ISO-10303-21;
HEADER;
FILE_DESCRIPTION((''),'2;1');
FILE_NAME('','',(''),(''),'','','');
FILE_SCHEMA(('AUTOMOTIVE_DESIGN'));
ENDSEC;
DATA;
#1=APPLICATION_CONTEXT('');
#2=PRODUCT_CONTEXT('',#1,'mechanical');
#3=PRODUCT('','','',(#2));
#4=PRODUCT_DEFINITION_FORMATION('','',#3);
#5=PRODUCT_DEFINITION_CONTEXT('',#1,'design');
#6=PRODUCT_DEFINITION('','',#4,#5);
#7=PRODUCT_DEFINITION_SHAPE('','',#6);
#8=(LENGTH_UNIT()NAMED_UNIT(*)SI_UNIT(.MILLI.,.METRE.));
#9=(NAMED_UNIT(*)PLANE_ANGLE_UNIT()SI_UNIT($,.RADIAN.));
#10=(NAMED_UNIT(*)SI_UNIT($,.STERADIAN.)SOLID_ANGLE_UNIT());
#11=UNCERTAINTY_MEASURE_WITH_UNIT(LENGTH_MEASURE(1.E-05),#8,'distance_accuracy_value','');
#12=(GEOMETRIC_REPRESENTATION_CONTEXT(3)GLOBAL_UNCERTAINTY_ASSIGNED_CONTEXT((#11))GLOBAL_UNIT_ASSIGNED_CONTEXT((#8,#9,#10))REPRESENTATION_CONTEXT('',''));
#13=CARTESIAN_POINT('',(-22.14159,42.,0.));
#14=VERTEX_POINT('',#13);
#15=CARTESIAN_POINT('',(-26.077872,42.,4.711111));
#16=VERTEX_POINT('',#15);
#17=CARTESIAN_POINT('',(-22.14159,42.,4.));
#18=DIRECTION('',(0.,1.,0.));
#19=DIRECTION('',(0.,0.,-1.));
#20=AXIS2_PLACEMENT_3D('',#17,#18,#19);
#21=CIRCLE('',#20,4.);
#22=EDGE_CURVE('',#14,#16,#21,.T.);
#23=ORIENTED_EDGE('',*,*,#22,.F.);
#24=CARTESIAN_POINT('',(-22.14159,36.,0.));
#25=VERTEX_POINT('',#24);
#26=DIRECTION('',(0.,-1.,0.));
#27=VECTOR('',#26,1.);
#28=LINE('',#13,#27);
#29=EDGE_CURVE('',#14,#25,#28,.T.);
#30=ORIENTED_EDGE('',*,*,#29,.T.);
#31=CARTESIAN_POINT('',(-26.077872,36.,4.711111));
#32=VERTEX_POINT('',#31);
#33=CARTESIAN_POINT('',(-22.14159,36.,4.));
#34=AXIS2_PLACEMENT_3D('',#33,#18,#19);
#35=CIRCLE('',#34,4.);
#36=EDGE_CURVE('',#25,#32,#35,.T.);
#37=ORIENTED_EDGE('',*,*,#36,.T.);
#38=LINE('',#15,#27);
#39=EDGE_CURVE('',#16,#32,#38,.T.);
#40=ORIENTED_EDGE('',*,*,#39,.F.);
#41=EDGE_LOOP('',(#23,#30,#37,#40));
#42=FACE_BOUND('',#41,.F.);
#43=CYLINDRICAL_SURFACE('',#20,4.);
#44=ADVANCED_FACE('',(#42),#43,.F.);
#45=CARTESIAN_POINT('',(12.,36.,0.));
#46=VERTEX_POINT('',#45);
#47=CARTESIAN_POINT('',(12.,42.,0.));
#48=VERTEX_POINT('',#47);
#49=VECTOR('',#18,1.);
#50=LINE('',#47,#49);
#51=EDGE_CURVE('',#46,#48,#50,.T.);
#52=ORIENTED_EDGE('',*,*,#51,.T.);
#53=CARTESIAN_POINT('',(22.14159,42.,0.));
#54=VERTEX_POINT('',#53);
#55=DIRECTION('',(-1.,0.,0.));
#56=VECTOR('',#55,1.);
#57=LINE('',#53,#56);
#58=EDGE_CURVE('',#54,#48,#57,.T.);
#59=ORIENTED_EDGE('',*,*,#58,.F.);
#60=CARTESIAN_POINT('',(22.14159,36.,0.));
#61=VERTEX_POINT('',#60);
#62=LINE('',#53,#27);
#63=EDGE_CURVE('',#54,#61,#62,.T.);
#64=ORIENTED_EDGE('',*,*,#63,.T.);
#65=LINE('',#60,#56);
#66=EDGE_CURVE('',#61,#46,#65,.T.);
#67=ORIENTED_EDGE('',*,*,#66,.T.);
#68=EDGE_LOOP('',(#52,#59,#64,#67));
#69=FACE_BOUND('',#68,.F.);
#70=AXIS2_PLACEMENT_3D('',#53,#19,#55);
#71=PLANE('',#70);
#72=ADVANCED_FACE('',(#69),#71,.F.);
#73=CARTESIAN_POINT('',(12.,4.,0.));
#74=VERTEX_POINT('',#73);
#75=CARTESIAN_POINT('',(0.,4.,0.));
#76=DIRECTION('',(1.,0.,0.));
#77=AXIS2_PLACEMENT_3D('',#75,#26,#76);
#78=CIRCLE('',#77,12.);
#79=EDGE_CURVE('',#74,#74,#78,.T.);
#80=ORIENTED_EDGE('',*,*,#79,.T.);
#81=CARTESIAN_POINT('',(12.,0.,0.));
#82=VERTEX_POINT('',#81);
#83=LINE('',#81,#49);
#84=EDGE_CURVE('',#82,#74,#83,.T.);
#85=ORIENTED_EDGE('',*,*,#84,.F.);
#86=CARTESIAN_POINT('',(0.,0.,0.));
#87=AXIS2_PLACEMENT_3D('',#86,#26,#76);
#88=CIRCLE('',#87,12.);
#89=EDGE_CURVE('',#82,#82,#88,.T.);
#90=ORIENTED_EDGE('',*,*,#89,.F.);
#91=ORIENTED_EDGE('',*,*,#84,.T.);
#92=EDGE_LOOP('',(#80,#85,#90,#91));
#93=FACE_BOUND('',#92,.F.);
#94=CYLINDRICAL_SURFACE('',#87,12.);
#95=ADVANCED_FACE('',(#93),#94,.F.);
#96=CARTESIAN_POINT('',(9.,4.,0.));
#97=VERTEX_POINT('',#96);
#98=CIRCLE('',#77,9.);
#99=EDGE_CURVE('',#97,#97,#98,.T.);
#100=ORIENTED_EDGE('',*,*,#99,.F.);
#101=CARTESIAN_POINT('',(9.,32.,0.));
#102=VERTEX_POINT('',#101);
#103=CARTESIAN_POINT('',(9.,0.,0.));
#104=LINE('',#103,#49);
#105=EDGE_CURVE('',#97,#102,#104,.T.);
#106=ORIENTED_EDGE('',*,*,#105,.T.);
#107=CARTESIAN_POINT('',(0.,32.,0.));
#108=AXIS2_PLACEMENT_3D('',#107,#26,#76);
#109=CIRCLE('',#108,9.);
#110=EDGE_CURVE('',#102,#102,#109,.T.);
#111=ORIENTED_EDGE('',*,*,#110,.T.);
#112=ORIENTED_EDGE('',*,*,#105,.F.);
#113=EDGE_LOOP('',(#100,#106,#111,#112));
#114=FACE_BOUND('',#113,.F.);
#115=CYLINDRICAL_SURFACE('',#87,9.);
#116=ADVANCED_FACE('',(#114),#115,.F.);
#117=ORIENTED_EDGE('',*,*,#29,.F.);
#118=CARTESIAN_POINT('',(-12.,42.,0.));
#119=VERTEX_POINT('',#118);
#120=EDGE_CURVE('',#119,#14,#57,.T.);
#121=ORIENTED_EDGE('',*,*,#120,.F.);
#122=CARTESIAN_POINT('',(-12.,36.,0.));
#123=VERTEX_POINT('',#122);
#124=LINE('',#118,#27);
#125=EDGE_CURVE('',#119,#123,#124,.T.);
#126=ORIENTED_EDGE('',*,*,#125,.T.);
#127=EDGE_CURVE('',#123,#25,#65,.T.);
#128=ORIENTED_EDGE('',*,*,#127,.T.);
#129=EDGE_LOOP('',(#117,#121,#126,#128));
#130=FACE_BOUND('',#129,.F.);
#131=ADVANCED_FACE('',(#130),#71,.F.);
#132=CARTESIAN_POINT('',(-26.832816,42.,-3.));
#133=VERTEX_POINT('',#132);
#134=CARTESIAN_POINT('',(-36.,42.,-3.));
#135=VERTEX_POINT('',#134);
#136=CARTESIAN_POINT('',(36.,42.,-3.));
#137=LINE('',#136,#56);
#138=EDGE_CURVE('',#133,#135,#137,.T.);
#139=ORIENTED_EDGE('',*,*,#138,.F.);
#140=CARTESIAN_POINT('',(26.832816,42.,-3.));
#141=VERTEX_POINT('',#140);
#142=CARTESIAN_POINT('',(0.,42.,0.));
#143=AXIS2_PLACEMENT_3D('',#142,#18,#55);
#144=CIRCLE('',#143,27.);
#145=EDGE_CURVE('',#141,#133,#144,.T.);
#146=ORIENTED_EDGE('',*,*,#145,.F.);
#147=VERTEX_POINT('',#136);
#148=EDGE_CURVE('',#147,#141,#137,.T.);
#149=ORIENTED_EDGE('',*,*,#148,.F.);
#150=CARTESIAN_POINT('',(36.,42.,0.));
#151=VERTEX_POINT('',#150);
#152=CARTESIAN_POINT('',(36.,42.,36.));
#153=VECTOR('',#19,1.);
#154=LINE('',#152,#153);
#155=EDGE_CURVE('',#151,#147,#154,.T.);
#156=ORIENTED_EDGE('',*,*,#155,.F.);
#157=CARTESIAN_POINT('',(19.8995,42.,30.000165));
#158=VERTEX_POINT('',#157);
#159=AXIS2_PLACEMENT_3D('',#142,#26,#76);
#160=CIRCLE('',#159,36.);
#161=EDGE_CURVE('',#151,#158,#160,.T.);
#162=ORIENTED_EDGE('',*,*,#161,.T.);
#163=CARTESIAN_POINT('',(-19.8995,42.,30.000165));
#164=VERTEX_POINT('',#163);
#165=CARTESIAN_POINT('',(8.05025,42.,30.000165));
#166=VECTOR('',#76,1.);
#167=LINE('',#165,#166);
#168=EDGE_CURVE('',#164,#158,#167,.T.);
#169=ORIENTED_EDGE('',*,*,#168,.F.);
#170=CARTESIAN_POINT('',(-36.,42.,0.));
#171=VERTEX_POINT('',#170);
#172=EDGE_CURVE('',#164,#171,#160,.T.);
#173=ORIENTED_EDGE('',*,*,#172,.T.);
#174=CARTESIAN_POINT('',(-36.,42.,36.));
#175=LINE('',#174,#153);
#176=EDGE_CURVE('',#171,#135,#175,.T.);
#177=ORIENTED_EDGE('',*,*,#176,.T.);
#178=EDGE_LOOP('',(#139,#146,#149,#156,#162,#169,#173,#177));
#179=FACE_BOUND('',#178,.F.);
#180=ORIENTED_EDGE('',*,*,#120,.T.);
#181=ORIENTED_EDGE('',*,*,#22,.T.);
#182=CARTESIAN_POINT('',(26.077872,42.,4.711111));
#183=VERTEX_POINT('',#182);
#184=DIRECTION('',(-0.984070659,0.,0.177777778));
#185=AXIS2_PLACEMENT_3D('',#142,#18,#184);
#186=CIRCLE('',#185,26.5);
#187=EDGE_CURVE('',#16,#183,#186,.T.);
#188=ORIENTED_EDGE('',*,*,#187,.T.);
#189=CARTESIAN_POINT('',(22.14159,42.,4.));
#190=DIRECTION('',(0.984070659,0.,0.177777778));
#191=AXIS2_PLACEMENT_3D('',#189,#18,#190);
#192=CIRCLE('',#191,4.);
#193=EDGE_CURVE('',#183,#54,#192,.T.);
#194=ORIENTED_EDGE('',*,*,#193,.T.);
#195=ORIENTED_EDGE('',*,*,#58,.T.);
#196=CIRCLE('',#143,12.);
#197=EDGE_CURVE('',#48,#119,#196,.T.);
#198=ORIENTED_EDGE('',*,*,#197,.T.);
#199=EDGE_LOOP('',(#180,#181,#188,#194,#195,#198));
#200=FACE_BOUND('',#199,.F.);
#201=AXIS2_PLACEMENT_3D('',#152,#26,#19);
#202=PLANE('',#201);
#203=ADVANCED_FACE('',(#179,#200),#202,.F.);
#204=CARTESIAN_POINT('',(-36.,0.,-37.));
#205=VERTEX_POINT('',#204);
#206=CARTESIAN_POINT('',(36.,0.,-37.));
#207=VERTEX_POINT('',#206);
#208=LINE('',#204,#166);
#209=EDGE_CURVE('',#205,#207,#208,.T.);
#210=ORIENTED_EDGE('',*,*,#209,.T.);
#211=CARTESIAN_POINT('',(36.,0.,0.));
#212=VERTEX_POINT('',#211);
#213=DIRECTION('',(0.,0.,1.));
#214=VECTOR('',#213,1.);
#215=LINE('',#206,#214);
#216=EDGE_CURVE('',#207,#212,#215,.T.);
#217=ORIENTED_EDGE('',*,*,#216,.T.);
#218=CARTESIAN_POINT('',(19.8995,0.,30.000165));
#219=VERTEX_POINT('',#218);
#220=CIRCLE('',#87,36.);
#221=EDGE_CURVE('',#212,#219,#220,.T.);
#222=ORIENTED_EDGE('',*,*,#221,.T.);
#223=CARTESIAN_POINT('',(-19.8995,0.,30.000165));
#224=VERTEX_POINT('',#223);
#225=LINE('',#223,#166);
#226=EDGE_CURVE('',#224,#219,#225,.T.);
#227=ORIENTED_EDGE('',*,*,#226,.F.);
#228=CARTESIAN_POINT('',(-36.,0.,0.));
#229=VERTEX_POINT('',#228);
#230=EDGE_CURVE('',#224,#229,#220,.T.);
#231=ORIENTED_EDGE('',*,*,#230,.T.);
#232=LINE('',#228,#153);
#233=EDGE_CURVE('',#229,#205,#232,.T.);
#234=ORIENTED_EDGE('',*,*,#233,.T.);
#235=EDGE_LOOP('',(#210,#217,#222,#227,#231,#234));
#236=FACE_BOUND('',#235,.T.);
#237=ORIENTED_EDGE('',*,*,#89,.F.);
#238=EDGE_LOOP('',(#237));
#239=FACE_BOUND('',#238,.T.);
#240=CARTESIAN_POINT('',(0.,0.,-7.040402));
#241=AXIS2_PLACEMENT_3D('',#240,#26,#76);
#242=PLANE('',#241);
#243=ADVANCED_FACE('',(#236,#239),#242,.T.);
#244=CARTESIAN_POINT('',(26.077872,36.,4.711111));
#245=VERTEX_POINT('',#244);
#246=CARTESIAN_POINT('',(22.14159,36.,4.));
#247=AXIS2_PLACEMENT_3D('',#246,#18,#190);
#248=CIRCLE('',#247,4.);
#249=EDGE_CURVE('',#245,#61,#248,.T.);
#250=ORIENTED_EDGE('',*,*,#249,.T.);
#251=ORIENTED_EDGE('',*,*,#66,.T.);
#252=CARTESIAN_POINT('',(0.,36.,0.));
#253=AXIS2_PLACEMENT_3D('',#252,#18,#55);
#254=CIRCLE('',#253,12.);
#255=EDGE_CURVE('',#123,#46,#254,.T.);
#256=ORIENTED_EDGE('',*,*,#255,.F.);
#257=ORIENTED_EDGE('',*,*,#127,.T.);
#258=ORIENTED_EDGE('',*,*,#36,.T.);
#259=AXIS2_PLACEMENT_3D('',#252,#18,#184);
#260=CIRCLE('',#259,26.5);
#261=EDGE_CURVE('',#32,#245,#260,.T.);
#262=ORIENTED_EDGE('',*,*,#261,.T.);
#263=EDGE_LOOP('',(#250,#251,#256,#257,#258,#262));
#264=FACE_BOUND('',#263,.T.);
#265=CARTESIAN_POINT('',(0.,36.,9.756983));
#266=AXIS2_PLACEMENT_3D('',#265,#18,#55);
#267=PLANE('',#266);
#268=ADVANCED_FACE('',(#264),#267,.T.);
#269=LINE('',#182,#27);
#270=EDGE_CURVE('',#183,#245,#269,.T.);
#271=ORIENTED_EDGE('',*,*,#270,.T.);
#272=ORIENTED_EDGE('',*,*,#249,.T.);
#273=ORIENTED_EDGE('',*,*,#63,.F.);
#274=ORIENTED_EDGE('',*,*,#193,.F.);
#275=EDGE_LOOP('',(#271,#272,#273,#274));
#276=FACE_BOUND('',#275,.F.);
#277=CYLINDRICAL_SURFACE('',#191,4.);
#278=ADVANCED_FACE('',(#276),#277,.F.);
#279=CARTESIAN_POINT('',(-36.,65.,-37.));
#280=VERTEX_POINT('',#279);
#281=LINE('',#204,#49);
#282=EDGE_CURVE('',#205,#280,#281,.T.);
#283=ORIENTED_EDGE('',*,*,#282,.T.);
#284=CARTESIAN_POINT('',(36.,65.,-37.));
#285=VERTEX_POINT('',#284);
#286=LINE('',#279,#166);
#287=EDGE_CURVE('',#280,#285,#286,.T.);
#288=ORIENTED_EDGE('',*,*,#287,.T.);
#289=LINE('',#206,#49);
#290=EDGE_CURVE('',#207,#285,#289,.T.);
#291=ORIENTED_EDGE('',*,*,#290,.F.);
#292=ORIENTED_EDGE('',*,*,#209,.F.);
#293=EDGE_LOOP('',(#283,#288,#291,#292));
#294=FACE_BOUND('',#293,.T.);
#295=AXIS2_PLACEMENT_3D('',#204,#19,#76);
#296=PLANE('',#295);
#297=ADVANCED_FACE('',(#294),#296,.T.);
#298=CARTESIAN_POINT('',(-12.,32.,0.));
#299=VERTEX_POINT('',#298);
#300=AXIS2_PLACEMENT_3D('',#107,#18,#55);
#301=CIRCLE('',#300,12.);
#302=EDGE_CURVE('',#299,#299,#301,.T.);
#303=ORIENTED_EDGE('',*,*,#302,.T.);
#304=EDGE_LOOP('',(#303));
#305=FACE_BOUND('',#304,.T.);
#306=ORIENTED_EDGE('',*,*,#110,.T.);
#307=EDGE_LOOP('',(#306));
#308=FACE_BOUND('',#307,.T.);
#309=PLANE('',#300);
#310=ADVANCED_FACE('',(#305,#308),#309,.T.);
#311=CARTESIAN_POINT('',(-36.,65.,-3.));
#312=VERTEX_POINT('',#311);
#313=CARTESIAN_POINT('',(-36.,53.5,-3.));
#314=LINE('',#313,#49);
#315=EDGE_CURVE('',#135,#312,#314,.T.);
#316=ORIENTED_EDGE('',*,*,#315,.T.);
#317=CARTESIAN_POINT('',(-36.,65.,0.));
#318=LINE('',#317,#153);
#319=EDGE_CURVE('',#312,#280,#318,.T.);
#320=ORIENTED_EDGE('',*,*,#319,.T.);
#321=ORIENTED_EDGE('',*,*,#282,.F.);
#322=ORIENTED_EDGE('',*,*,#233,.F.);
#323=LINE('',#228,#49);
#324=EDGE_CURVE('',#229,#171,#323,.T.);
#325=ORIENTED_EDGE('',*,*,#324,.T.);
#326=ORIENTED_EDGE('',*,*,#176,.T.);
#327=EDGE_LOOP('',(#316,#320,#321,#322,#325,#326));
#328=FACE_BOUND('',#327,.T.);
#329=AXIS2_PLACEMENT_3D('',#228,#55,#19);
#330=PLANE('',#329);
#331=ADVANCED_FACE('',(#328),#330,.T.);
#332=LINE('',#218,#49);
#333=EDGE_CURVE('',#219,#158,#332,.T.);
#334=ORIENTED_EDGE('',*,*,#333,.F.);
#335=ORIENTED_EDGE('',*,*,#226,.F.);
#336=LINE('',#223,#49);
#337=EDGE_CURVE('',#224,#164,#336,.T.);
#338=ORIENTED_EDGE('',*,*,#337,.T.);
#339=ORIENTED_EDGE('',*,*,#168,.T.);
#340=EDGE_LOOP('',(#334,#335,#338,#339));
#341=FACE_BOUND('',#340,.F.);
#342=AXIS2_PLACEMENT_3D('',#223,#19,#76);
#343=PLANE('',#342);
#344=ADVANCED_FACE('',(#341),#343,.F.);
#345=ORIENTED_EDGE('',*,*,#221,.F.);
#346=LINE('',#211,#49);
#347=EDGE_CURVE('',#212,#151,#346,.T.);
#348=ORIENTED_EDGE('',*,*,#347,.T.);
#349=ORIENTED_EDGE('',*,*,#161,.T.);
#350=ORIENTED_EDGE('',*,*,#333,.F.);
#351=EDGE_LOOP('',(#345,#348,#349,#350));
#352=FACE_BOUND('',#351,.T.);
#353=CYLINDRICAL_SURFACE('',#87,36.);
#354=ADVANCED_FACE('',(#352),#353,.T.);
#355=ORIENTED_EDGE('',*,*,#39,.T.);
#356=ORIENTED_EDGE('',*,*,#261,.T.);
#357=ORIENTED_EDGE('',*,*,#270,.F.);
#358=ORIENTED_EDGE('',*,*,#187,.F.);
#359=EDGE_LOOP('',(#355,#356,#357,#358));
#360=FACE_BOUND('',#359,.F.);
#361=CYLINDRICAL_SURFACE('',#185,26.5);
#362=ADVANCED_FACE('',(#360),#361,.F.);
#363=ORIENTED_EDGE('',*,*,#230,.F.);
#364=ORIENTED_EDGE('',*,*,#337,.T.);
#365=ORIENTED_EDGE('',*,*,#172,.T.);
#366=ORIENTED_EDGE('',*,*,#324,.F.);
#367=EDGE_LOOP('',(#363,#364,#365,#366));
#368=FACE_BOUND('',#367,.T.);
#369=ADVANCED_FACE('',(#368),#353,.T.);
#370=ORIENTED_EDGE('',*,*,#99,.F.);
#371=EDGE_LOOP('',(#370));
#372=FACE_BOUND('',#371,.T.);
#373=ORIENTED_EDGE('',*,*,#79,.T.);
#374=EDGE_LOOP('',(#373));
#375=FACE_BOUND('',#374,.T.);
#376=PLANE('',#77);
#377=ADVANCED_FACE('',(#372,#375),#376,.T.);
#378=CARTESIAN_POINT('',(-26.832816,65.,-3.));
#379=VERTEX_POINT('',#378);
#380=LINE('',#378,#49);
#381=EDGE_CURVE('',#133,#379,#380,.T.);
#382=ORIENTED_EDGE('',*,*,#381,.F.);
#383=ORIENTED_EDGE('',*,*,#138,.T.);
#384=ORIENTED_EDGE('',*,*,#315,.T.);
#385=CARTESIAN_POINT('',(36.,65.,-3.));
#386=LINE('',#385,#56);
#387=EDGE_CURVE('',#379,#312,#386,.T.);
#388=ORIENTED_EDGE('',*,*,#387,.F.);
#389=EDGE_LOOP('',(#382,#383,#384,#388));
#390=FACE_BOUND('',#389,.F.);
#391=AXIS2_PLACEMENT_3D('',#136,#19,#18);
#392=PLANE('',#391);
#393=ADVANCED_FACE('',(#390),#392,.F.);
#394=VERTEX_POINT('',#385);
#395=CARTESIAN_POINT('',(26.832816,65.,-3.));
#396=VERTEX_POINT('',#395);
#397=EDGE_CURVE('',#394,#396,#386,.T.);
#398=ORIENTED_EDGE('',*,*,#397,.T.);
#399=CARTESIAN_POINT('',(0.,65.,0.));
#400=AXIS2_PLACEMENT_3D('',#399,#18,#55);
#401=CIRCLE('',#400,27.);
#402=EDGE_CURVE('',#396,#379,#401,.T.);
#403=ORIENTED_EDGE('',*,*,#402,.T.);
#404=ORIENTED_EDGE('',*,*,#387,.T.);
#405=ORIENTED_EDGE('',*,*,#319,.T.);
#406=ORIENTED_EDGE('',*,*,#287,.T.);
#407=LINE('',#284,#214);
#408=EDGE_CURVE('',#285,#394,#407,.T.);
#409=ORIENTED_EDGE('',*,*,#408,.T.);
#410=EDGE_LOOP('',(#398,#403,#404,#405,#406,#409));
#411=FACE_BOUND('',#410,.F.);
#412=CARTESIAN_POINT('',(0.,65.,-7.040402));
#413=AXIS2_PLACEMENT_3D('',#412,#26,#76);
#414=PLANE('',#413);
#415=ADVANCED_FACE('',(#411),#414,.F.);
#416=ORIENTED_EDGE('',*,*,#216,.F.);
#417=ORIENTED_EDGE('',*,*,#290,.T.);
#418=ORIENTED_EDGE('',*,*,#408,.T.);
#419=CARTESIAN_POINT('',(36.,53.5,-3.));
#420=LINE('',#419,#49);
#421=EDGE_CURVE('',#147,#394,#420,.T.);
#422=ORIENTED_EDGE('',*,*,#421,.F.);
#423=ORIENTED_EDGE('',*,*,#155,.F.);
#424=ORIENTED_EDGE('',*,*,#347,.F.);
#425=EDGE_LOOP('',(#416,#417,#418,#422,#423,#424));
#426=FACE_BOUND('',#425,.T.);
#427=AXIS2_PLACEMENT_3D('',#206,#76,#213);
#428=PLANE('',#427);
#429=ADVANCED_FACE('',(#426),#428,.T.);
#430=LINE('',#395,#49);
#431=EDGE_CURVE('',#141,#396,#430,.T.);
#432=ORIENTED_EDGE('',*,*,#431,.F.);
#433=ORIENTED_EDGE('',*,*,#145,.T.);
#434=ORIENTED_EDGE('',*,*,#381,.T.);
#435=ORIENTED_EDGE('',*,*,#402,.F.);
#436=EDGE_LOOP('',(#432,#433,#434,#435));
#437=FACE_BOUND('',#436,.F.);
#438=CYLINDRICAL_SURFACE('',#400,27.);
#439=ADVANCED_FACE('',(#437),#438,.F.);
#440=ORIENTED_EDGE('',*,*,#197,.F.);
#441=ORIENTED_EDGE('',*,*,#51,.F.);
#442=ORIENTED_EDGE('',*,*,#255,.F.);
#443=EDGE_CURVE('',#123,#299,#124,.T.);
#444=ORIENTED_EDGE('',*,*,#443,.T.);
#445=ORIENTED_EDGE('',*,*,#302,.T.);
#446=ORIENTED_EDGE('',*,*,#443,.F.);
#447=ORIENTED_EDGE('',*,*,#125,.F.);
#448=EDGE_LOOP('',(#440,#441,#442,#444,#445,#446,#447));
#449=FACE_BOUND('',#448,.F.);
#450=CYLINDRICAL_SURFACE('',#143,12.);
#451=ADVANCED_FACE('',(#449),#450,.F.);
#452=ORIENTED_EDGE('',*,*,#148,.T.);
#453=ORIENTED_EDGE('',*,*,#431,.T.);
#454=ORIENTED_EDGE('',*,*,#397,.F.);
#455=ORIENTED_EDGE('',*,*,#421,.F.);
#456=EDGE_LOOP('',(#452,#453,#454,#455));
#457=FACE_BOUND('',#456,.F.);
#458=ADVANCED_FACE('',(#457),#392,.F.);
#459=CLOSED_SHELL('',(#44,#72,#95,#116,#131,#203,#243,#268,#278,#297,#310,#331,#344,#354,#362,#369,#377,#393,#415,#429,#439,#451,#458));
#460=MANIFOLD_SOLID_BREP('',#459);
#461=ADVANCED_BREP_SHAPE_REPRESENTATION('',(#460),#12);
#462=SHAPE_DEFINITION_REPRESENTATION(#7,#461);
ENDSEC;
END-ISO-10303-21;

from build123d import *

# Parameters (mm, degrees)
F0_R      = 9
F1_DEPTH  = 65
F2_W      = 23
F2_H      = 36
F2_H_2    = 3
F3_DEPTH  = 72
F4_R      = 12
F5_DEPTH  = 4
F6_R      = 27
F7_DEPTH  = 23
F8_R      = 12
F9_DEPTH  = 10
F11_DEPTH = 6
F13_DEPTH = 65


with BuildPart() as f1:
    # F0 (on Front) → F1 (new body)
    with BuildSketch(Plane.XZ):
        with BuildLine():
            Line((36, -37), (36, 0))
            ThreePointArc((36, 0), (0, 36), (-36, 0))
            Line((-36, 0), (-36, -37))
            Line((-36, -37), (36, -37))
        make_face()
        Circle(F0_R, mode=Mode.SUBTRACT)
    extrude(amount=-F1_DEPTH)

    # F2 (on face) → F3 (cut)
    with BuildSketch(Plane.YZ.offset(36)):
        with Locations((53.5, 18)):
            Rectangle(F2_W, F2_H)
        with Locations((53.5, -1.5)):
            Rectangle(F2_W, F2_H_2)
    extrude(amount=-F3_DEPTH, mode=Mode.SUBTRACT)

    # F4 (on face) → F5 (cut)
    with BuildSketch(Plane.XZ):
        Circle(F4_R)
    extrude(amount=-F5_DEPTH, mode=Mode.SUBTRACT)

    # F6 (on face) → F7 (cut)
    with BuildSketch(Plane(origin=(0, 65, 0), x_dir=(-1, 0, 0), z_dir=(0, 1, 0))):
        Circle(F6_R)
    extrude(amount=-F7_DEPTH, mode=Mode.SUBTRACT)

    # F8 (on face) → F9 (cut)
    with BuildSketch(Plane(origin=(0, 42, 0), x_dir=(-1, 0, 0), z_dir=(0, 1, 0))):
        Circle(F8_R)
    extrude(amount=-F9_DEPTH, mode=Mode.SUBTRACT)

    # F10 (on face) → F11 (cut)
    with BuildSketch(Plane(origin=(0, 42, 0), x_dir=(-1, 0, 0), z_dir=(0, 1, 0))):
        with BuildLine():
            ThreePointArc((22.1415898255, 0), (25.2111536743, 1.4352821251), (26.0778724611, 4.7111111111))
            ThreePointArc((26.0778724611, 4.7111111111), (0, 26.5), (-26.0778724611, 4.7111111111))
            ThreePointArc((-26.0778724611, 4.7111111111), (-25.2111536743, 1.4352821251), (-22.1415898255, 0))
            Line((-22.1415898255, 0), (22.1415898255, 0))
        make_face()
    extrude(amount=-F11_DEPTH, mode=Mode.SUBTRACT)

    # F12 (on face) → F13 (cut)
    with BuildSketch(Plane.XZ):
        with BuildLine():
            ThreePointArc((19.8995, 30.0001649954), (0, 36), (-19.8995, 30.0001649954))
            Line((-19.8995, 30.0001649954), (19.8995, 30.0001649954))
        make_face()
    extrude(amount=-F13_DEPTH, mode=Mode.SUBTRACT)


solid = f1.part
